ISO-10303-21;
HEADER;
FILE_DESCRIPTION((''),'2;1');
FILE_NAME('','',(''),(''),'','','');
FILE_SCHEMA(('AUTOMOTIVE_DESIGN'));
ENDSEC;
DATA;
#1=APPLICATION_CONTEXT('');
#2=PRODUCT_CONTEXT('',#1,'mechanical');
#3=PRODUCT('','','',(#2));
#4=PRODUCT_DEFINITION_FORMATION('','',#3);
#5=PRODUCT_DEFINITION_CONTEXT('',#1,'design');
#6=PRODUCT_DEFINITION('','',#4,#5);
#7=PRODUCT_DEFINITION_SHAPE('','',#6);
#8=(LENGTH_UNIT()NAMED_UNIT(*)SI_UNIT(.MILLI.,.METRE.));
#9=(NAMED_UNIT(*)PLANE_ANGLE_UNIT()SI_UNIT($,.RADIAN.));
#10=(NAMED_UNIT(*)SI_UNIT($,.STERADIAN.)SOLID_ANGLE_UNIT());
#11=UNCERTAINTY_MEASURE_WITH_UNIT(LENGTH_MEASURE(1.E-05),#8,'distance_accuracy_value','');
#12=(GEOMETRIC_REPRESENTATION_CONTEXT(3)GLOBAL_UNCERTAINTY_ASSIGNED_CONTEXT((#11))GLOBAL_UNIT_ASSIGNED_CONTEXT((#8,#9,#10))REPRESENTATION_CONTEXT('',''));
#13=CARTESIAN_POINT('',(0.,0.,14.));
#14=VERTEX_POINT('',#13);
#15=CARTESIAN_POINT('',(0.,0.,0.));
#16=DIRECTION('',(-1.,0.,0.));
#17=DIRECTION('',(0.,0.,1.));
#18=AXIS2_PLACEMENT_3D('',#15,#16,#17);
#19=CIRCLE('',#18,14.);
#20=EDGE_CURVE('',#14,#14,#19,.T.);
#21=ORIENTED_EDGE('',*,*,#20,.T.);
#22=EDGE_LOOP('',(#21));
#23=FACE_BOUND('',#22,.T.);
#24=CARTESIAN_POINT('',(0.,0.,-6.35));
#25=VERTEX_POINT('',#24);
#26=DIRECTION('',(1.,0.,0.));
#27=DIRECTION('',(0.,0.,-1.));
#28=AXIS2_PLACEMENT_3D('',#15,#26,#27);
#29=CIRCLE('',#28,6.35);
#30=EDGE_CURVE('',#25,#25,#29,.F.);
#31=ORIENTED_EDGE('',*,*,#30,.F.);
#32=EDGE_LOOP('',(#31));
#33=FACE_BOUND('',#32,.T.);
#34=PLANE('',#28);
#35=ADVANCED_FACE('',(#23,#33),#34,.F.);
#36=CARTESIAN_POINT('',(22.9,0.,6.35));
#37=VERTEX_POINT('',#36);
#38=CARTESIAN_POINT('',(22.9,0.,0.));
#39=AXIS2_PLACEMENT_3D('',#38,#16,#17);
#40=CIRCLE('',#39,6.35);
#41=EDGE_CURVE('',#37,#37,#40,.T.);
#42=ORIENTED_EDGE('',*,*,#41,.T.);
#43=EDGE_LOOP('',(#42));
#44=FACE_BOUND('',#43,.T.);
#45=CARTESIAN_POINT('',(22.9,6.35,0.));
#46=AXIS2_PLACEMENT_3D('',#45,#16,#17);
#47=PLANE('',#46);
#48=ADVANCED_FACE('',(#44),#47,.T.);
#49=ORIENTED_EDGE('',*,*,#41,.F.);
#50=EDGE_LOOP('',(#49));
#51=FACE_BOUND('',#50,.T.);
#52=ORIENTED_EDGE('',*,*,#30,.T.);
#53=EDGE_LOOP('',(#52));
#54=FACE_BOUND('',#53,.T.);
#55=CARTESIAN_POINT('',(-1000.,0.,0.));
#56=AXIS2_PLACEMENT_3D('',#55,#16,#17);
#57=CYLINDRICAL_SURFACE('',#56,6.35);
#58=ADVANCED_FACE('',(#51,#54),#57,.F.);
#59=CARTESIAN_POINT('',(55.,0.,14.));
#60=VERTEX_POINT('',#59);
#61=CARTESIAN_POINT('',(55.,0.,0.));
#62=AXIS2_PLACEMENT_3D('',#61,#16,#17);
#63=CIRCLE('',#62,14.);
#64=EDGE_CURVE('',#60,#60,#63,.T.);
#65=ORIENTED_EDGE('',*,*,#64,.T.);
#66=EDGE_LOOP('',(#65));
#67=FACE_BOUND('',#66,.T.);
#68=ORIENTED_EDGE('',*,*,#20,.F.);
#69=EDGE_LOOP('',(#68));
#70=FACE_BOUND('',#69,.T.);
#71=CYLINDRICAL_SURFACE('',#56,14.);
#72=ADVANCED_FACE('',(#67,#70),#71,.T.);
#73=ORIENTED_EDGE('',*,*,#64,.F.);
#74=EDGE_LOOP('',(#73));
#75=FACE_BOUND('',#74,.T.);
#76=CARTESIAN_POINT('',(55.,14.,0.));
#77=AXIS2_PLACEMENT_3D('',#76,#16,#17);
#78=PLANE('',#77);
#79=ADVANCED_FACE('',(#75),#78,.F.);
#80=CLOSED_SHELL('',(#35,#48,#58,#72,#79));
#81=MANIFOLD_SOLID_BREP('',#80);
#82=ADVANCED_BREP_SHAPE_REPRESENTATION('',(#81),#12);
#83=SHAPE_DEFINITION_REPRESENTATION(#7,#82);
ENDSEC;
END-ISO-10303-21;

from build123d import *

# Parameters (mm, degrees)
HOSE_END_10_SKETCH_W = 55
HOSE_END_10_SKETCH_H = 14
SOCKET_1_SKETCH_W    = 23.9
SOCKET_1_SKETCH_H    = 6.35


with BuildPart() as part:
    # Hose_End_10 Sketch → Hose_End_10 (revolve)
    with BuildSketch(Plane.XY):
        with Locations((27.5, 7)):
            Rectangle(HOSE_END_10_SKETCH_W, HOSE_END_10_SKETCH_H)
    revolve(axis=Axis((-1000, 0, 0), (1, 0, 0)))

    # Socket 1 Sketch → Socket 1 (revolve, cut)
    with BuildSketch(Plane.XY):
        with Locations((10.95, 3.175)):
            Rectangle(SOCKET_1_SKETCH_W, SOCKET_1_SKETCH_H)
    revolve(axis=Axis((-1000, 0, 0), (1, 0, 0)), mode=Mode.SUBTRACT)


solid = part.part
